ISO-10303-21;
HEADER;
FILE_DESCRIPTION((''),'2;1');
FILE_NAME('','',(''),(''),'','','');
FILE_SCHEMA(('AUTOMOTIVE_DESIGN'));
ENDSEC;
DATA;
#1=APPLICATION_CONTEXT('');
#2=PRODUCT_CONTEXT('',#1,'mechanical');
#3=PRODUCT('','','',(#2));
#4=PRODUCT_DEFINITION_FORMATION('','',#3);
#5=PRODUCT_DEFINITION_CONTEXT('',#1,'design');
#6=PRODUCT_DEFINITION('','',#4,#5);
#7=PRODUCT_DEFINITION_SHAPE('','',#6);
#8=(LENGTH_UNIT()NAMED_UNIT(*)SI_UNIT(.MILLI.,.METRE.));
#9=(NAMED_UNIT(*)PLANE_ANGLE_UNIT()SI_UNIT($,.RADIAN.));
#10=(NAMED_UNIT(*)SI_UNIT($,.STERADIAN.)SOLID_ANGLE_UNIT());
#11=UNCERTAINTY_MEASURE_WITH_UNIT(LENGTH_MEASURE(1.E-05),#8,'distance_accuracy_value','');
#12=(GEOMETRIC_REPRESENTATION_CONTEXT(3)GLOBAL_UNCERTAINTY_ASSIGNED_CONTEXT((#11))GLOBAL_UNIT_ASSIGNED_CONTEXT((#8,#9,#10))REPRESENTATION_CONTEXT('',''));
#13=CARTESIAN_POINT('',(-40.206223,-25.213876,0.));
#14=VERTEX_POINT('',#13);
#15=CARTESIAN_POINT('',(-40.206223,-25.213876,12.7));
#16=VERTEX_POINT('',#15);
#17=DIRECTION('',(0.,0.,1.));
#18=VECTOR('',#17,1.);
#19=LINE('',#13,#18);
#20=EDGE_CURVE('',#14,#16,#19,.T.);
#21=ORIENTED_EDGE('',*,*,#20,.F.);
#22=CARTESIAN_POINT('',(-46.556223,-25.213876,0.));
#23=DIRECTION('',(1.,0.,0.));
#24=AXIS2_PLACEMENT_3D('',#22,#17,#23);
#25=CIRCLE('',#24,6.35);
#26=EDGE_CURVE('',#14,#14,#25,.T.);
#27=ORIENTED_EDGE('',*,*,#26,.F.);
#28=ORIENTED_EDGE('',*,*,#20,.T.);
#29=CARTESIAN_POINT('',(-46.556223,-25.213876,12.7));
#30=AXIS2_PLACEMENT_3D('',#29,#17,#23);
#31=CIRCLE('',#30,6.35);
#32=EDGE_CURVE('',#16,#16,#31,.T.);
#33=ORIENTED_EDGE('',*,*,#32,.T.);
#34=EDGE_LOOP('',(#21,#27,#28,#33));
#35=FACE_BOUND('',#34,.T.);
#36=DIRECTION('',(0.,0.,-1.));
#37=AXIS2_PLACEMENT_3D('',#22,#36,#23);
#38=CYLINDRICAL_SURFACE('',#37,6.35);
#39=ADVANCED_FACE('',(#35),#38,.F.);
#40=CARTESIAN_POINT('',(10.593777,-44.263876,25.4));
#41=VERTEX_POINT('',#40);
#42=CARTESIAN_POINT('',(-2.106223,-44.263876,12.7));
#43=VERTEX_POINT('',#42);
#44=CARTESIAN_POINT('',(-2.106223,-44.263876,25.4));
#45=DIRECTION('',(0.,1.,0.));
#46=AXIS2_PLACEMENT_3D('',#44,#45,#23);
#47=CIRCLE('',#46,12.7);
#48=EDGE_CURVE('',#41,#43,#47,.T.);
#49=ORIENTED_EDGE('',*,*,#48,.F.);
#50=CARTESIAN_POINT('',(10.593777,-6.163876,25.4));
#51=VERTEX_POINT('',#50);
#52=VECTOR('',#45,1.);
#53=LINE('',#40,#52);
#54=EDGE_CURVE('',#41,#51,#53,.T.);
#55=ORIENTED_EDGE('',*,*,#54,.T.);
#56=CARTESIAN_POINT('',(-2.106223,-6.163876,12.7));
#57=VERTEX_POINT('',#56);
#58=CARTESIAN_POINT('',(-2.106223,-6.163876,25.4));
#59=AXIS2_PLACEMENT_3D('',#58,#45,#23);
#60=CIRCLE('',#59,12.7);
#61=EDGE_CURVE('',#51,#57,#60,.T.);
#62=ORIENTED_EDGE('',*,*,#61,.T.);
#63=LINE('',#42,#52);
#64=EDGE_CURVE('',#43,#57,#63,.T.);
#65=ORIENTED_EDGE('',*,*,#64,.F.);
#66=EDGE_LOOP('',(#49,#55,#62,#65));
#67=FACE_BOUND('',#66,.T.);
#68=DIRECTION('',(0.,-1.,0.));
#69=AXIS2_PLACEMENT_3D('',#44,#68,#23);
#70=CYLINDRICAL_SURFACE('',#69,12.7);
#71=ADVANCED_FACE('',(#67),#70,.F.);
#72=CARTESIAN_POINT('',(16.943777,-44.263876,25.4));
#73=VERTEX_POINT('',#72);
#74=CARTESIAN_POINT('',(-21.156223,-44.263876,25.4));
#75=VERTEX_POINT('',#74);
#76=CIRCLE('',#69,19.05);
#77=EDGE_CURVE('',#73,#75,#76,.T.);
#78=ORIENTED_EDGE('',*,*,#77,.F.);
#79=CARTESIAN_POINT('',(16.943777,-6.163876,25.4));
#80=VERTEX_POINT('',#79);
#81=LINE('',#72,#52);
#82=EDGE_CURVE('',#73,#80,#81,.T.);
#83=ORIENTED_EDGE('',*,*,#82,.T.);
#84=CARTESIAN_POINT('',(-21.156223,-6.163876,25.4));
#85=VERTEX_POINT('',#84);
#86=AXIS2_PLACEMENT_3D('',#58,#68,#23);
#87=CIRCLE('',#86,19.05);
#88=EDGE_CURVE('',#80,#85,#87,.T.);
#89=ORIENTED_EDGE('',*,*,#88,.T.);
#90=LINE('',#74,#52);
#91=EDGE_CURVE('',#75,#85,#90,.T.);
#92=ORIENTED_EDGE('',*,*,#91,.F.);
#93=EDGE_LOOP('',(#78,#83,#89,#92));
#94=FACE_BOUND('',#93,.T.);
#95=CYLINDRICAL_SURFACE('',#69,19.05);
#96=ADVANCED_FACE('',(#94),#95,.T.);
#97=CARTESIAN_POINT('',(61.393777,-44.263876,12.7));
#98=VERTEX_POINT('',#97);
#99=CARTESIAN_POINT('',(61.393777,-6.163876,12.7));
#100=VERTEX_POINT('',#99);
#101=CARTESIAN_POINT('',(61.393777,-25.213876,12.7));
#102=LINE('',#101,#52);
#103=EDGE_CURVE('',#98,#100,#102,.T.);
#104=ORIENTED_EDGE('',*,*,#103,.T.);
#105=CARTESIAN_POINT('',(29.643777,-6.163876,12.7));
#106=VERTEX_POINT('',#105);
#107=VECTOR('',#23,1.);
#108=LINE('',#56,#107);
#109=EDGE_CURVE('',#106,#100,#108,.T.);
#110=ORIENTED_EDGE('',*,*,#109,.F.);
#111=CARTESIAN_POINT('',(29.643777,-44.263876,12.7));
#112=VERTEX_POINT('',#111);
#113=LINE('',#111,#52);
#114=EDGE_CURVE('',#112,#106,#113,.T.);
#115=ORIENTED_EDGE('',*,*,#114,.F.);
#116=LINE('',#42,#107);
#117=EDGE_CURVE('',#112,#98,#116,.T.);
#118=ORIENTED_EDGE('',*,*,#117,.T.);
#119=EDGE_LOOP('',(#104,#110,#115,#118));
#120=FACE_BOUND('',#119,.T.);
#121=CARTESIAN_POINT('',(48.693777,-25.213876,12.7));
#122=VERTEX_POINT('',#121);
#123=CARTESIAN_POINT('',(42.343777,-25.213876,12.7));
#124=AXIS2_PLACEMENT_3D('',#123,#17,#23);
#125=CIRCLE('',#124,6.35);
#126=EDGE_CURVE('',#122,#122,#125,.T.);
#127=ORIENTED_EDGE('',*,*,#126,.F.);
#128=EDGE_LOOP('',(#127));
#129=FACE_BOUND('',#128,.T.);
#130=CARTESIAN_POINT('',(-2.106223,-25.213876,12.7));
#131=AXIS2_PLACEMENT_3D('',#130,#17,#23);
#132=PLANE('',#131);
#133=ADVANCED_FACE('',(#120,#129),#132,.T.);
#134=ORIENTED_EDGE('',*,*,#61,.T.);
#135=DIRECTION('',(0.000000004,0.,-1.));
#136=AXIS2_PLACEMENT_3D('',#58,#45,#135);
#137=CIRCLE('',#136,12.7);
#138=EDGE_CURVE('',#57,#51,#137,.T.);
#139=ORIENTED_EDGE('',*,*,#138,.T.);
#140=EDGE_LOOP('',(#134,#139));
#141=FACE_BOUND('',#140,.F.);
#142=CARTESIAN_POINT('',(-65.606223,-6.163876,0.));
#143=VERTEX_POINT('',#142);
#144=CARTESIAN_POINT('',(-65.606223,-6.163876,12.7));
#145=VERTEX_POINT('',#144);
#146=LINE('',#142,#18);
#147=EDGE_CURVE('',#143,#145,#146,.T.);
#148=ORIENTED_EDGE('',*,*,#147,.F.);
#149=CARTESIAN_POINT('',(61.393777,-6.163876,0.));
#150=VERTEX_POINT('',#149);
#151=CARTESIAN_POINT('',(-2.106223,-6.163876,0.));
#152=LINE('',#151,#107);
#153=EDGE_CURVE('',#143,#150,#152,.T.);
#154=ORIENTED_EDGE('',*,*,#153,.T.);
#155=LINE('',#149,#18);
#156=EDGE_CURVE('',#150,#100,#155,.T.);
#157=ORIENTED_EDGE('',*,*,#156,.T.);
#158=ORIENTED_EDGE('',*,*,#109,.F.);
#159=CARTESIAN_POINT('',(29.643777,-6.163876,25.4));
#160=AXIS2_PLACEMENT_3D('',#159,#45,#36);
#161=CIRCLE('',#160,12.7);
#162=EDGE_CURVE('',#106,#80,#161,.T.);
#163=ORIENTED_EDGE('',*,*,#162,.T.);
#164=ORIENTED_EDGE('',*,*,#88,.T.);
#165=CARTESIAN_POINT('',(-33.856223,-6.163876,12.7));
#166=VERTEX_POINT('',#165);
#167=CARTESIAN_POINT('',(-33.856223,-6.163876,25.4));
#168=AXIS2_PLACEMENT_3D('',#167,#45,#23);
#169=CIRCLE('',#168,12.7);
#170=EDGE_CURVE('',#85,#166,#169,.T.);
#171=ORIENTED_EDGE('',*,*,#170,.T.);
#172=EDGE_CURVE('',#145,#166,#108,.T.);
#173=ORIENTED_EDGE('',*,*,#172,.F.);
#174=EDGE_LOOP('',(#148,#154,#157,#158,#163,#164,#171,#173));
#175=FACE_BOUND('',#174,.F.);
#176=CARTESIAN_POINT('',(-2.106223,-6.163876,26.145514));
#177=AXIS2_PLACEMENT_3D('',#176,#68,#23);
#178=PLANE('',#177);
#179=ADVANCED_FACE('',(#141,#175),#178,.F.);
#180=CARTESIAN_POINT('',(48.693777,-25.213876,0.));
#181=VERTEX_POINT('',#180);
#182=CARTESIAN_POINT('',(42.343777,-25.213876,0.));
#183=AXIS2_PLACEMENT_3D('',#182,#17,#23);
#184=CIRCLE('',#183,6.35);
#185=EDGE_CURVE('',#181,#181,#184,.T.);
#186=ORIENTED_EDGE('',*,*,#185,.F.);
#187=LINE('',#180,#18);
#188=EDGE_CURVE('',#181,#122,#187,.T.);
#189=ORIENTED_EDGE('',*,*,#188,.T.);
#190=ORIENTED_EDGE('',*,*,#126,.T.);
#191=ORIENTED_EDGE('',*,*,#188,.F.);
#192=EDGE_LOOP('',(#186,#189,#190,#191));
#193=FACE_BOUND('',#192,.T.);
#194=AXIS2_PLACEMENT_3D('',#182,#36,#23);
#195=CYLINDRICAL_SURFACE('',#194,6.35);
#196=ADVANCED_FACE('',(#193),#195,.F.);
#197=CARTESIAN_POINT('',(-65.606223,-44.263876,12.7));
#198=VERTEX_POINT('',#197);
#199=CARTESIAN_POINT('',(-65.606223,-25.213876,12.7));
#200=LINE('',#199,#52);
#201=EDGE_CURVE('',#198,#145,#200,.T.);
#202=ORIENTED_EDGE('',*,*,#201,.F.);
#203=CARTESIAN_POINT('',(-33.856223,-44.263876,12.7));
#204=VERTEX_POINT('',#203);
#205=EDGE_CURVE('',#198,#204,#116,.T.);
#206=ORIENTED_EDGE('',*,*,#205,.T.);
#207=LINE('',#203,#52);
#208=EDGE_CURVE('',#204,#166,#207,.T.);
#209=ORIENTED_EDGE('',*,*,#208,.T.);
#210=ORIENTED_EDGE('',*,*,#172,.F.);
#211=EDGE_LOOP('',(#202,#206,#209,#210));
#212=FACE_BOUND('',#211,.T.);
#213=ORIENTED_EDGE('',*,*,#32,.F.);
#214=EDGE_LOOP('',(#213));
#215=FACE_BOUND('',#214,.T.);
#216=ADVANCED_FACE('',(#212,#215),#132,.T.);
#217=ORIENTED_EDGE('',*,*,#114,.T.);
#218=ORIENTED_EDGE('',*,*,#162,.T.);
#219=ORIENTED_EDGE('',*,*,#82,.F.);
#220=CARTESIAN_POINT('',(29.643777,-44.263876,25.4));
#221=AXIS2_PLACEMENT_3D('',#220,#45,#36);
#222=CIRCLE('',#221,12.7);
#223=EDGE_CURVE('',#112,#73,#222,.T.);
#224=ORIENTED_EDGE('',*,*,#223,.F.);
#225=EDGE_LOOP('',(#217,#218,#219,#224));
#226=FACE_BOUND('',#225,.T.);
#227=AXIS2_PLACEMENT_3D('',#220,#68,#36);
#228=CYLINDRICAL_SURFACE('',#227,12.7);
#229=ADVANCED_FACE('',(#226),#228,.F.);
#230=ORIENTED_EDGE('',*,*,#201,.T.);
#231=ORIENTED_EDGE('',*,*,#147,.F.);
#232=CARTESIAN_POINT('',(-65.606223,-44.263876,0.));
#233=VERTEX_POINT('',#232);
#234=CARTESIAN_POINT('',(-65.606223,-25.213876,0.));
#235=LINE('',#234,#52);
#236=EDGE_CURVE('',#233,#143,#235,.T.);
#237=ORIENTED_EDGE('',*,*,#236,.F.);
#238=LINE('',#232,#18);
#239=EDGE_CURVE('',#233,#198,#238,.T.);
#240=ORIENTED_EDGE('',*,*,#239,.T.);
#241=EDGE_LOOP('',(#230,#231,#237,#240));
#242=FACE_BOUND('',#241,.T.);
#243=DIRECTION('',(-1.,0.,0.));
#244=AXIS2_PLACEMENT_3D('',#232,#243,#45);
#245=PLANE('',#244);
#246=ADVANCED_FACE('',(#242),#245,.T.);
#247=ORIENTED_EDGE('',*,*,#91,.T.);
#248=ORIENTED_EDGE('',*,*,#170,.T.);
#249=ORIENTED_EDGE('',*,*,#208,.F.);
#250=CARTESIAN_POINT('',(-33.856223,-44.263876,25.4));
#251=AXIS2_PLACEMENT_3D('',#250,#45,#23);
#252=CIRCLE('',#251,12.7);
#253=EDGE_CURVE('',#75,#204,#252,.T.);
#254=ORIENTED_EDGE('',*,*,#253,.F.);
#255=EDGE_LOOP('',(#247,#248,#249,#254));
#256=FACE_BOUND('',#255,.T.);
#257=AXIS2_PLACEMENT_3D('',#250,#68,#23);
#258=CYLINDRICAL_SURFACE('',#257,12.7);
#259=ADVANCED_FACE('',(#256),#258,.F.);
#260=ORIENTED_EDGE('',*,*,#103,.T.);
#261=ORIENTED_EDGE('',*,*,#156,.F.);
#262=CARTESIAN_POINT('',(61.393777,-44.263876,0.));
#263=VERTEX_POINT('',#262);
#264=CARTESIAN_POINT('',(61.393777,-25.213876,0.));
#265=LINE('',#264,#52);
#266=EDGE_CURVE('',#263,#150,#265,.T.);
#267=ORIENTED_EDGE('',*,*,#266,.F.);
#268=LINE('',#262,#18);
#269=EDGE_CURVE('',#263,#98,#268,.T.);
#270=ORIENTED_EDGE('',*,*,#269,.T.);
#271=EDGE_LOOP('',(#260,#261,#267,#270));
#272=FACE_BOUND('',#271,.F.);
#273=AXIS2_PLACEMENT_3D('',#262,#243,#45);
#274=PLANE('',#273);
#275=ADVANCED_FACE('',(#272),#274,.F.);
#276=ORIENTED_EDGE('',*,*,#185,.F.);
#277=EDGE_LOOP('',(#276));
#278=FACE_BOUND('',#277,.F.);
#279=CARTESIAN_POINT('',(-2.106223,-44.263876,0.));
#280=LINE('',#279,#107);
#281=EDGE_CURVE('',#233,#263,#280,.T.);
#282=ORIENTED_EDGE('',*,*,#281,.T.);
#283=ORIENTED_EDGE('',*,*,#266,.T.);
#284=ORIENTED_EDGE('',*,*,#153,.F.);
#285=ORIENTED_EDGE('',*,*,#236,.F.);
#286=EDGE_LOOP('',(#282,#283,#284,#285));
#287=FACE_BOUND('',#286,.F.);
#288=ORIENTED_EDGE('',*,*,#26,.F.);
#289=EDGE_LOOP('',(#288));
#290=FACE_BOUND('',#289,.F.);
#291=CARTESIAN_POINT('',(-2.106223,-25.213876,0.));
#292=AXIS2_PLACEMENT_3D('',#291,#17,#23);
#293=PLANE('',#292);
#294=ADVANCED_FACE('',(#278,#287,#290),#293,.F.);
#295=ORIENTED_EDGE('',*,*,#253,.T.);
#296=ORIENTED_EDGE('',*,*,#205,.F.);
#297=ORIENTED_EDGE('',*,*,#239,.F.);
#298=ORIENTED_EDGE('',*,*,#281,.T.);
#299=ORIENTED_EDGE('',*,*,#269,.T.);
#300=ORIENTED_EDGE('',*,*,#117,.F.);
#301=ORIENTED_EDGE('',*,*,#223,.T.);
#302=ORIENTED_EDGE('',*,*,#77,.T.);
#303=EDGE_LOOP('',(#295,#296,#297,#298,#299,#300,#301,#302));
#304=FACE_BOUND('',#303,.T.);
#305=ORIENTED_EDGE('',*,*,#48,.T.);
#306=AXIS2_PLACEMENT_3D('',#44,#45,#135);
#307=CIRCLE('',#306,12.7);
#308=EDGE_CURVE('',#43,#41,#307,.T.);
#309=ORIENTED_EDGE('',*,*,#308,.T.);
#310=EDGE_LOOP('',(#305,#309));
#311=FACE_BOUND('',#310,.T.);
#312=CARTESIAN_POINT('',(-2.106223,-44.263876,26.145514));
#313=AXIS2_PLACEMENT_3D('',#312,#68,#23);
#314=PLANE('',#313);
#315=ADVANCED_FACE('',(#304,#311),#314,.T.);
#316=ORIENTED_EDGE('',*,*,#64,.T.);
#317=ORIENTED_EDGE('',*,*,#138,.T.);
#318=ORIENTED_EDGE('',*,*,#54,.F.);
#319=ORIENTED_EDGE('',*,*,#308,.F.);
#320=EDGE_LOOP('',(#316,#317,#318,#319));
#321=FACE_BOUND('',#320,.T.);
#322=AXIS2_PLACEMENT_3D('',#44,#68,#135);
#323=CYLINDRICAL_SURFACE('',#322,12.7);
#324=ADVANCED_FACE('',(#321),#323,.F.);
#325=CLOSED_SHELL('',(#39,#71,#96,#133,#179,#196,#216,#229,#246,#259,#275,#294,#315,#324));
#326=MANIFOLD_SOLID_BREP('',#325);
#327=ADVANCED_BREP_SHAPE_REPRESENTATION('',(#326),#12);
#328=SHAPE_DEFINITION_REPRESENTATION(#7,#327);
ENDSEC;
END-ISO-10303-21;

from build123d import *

# Parameters (mm, degrees)
F0_W     = 127
F0_H     = 38.1
F0_R     = 6.35
F1_DEPTH = 12.7
F3_DEPTH = 38.1


with BuildPart() as f1:
    # F0 (on Top) → F1 (new body)
    with BuildSketch(Plane.XY):
        with Locations((-2.1062232554, -25.2138755785)):
            Rectangle(F0_W, F0_H)
        with Locations((-46.5562232554, -25.2138755785)):
            Circle(F0_R, mode=Mode.SUBTRACT)
        with Locations((42.3437767446, -25.2138755785)):
            Circle(F0_R, mode=Mode.SUBTRACT)
    extrude(amount=F1_DEPTH)

    # F2 (on face) → F3 (join, through all)
    with BuildSketch(Plane.XZ.offset(44.2638755785)):
        with BuildLine():
            ThreePointArc((12.0928084017, 12.7), (15.6897601828, 18.6025391898), (16.9437767446, 25.4))
            ThreePointArc((16.9437767446, 25.4), (-2.1062232554, 44.45), (-21.1562232554, 25.4))
            ThreePointArc((-21.1562232554, 25.4), (-19.9022066936, 18.6025391898), (-16.3052549125, 12.7))
            Line((-16.3052549125, 12.7), (-2.1062232095, 12.7))
            Line((-2.1062232095, 12.7), (12.0928084017, 12.7))
        make_face()
        with BuildLine():
            ThreePointArc((10.5937767446, 25.4), (6.8740328819, 16.4197438952), (-2.1062232095, 12.7))
            ThreePointArc((-2.1062232095, 12.7), (-11.0864793927, 34.3802561048), (10.5937767446, 25.4))
        make_face(mode=Mode.SUBTRACT)
        with BuildLine():
            ThreePointArc((29.6437767446, 12.7), (20.6635206235, 16.4197438789), (16.9437767446, 25.4))
            ThreePointArc((16.9437767446, 25.4), (15.6897601828, 18.6025391898), (12.0928084017, 12.7))
            Line((12.0928084017, 12.7), (29.6437767446, 12.7))
        make_face()
        with BuildLine():
            ThreePointArc((-16.3052549125, 12.7), (-19.9022066936, 18.6025391898), (-21.1562232554, 25.4))
            ThreePointArc((-21.1562232554, 25.4), (-24.8759671343, 16.4197438789), (-33.8562232554, 12.7))
            Line((-33.8562232554, 12.7), (-16.3052549125, 12.7))
        make_face()
        with BuildLine():
            ThreePointArc((-16.3052549125, 12.7), (-2.1062232554, 6.35), (12.0928084017, 12.7))
            Line((12.0928084017, 12.7), (-2.1062232095, 12.7))
            Line((-2.1062232095, 12.7), (-16.3052549125, 12.7))
        make_face()
    extrude(amount=-F3_DEPTH)


solid = f1.part
